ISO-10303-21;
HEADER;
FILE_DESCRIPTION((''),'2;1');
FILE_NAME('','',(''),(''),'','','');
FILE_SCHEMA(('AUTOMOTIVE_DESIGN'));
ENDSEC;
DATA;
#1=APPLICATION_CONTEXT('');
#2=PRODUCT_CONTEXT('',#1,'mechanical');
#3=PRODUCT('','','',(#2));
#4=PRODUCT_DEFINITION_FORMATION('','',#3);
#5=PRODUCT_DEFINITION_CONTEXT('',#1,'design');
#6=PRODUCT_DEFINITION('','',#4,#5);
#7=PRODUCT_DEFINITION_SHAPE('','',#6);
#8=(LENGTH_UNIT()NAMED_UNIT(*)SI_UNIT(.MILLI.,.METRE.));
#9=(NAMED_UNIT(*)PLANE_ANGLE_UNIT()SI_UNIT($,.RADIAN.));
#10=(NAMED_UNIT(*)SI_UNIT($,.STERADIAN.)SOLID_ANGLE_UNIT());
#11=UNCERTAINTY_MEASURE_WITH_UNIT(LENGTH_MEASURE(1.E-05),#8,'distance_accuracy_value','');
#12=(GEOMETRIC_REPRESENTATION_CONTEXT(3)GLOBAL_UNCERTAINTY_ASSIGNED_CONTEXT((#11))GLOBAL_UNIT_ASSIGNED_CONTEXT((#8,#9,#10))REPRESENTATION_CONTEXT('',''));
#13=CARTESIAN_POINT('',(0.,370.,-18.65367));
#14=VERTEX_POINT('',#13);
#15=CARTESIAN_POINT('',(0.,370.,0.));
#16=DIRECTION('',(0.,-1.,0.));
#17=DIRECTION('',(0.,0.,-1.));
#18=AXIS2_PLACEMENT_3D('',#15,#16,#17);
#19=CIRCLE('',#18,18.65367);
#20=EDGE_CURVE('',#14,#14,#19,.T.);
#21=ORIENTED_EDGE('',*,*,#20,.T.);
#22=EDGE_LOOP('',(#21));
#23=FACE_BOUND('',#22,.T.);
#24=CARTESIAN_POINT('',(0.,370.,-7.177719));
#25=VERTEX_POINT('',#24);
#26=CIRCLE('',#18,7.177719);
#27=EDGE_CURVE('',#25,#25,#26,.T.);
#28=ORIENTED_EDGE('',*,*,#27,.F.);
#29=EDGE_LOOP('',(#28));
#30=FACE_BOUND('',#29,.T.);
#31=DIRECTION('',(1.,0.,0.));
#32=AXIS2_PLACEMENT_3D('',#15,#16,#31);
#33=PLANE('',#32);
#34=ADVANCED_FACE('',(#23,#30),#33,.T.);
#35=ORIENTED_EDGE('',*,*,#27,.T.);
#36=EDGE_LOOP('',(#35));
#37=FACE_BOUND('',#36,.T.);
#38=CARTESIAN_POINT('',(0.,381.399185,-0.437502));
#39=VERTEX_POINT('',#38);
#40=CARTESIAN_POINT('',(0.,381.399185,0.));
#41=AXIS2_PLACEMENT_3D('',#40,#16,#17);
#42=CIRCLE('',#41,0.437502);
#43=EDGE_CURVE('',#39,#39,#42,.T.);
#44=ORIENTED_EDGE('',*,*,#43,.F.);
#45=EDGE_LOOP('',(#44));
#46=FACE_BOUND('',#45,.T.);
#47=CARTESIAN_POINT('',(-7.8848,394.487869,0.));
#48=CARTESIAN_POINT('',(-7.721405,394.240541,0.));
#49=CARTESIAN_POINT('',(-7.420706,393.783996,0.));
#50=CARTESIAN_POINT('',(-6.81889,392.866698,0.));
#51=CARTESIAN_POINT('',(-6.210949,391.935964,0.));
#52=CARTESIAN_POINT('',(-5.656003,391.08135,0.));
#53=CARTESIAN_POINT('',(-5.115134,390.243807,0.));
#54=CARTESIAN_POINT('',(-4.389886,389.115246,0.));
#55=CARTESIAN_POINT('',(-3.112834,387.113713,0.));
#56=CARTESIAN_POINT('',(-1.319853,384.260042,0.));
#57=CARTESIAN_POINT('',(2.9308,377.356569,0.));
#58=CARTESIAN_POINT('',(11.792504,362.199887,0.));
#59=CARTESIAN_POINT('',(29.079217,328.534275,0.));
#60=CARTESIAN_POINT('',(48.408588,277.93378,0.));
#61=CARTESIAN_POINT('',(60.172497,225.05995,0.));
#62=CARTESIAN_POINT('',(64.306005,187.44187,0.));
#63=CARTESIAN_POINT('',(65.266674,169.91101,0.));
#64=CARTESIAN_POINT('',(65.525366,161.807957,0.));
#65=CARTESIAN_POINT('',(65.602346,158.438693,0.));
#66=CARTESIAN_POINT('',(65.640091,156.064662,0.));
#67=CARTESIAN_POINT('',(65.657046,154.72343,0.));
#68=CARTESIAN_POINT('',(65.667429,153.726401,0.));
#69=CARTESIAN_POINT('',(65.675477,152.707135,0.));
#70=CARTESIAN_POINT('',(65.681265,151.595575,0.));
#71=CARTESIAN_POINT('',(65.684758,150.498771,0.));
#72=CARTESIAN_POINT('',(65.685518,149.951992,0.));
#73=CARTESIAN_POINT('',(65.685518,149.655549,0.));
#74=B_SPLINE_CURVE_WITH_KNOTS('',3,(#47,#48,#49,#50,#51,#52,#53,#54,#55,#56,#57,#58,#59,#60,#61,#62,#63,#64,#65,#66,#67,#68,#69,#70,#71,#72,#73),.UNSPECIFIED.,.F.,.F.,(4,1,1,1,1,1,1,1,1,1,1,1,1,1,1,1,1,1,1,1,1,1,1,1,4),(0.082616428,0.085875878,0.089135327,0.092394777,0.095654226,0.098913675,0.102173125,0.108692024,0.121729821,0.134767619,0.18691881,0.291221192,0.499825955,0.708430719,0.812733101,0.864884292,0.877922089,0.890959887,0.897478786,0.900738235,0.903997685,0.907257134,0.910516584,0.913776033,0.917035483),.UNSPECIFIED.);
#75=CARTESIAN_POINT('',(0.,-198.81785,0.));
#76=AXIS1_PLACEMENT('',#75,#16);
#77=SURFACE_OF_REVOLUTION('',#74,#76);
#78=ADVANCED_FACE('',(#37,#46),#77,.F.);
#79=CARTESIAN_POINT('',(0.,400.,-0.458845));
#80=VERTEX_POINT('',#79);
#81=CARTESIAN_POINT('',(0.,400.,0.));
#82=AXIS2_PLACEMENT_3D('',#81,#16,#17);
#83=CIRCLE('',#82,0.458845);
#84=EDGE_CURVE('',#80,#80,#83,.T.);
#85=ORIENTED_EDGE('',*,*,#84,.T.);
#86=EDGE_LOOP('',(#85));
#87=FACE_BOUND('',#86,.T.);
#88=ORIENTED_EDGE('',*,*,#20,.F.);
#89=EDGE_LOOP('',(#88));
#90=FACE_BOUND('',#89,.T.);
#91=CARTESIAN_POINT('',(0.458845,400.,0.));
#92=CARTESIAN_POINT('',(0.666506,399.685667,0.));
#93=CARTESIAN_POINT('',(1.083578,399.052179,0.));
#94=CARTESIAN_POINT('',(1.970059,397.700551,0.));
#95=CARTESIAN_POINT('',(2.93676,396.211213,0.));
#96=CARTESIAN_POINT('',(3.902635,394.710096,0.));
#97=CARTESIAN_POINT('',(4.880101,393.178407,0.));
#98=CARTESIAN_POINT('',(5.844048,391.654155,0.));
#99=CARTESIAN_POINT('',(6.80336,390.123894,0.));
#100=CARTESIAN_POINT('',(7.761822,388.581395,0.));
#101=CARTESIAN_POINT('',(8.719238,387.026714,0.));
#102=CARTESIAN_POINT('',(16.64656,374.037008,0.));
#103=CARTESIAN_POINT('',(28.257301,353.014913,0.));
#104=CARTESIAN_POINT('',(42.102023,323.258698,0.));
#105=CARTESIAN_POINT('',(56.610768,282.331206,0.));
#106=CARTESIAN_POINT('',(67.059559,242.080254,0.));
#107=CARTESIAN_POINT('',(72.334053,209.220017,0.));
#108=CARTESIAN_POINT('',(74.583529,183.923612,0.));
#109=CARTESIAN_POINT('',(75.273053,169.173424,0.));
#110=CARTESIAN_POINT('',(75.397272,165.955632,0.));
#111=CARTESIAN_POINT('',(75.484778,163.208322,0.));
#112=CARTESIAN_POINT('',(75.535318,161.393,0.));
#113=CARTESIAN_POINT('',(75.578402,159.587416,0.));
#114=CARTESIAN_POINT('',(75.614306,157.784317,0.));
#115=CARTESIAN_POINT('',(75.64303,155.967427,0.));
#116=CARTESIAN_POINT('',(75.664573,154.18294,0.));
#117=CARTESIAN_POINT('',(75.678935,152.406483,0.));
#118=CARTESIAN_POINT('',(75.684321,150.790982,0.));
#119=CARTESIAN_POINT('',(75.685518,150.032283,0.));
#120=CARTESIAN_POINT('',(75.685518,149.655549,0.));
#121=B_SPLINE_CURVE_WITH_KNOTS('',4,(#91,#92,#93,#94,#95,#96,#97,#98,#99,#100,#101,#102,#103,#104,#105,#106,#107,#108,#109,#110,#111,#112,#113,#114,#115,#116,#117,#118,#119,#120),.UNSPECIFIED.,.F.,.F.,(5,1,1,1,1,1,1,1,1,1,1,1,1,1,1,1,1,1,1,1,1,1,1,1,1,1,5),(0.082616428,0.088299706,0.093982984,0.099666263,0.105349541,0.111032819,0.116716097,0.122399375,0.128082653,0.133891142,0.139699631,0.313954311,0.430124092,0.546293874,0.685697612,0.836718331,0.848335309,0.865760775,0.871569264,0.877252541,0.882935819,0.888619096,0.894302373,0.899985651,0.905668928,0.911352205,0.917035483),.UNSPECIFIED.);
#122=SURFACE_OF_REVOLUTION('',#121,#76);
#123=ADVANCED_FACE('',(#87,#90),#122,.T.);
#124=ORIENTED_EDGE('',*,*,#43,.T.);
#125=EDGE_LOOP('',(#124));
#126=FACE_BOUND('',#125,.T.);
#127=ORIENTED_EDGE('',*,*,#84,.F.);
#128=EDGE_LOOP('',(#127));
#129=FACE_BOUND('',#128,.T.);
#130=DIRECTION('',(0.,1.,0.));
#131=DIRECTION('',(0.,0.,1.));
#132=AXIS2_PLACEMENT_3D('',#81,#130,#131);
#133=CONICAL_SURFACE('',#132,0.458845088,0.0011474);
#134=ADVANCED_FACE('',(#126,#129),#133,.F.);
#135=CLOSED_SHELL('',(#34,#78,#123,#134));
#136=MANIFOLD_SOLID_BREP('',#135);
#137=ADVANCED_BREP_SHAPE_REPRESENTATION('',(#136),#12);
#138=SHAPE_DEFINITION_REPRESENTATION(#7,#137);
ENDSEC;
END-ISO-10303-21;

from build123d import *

# Parameters (mm, degrees)
BOSS_EXTRUDE1_START = -300
SKETCH2_R           = 65.685518314
SKETCH2_R_2         = 57.685518314
BOSS_EXTRUDE1_DEPTH = 300
SKETCH3_R           = 120.726600854
CUT_EXTRUDE1_DEPTH  = 532.239063666


with BuildPart() as part:
    # Sketch1 → Revolve3 (revolve)
    with BuildSketch(Plane.XY, mode=Mode.PRIVATE) as revolve3_sk:
        with BuildLine():
            Line((75.685518314, -0.344450695), (75.685518314, 149.655549305))
            add(Edge.make_bspline(
                [(0.458845088, 400), (0.666505615, 399.685666805), (1.083577622, 399.052178662), (1.970059475, 397.700550841), (2.936759655, 396.211212549), (3.902634821, 394.710095548), (4.880100736, 393.178406868), (5.844047989, 391.654155139), (6.803360265, 390.123894266), (7.761821662, 388.581395307), (8.719237727, 387.026713906), (16.64656029, 374.037008419), (28.257300922, 353.014913091), (42.102023433, 323.258697722), (56.610767976, 282.331206247), (67.05955857, 242.08025425), (72.334052865, 209.220016816), (74.5835291, 183.923611768), (75.273053413, 169.173424136), (75.397271583, 165.955632222), (75.484778379, 163.208321649), (75.535317822, 161.393000412), (75.578401528, 159.587415566), (75.614305657, 157.784317211), (75.643029642, 155.967426667), (75.664573028, 154.18293971), (75.678935474, 152.40648291), (75.684321434, 150.790982345), (75.685518314, 150.032282914), (75.685518314, 149.655549305)],
                knots=[0.082616428, 0.082616428, 0.082616428, 0.082616428, 0.082616428, 0.088299706, 0.093982984, 0.099666263, 0.105349541, 0.111032819, 0.116716097, 0.122399375, 0.128082653, 0.133891142, 0.139699631, 0.313954311, 0.430124092, 0.546293874, 0.685697612, 0.836718331, 0.848335309, 0.865760775, 0.871569264, 0.877252541, 0.882935819, 0.888619096, 0.894302373, 0.899985651, 0.905668928, 0.911352205, 0.917035483, 0.917035483, 0.917035483, 0.917035483, 0.917035483], degree=4))
            Line((0.458845088, 400), (0.43750857, 381.399188372))
            add(Edge.make_bspline(
                [(0.43750857, 381.399188372), (0.55852927, 381.201299105), (3.495430864, 376.390848647), (11.792504456, 362.199887034), (29.079217345, 328.534275172), (48.408588041, 277.933780444), (60.172497106, 225.059949932), (64.30600489, 187.441870002), (65.266674131, 169.911010475), (65.525365527, 161.807957388), (65.602345571, 158.438692592), (65.640090713, 156.064661932), (65.657046141, 154.723430387), (65.667429233, 153.726401125), (65.675476765, 152.707134592), (65.68126504, 151.595575293), (65.684757556, 150.498770837), (65.685518314, 149.951992083), (65.685518314, 149.655549305)],
                knots=[0.132529105, 0.132529105, 0.132529105, 0.132529105, 0.134767619, 0.18691881, 0.291221192, 0.499825955, 0.708430719, 0.812733101, 0.864884292, 0.877922089, 0.890959887, 0.897478786, 0.900738235, 0.903997685, 0.907257134, 0.910516584, 0.913776033, 0.917035483, 0.917035483, 0.917035483, 0.917035483], degree=3))
            Line((65.685518314, 149.655549305), (65.685518314, -0.344450695))
            Line((65.685518314, -0.344450695), (75.685518314, -0.344450695))
        make_face()
    revolve(revolve3_sk.sketch.rotate(Axis((0, -198.817850362, 0), (0, -1, 0)), 270), axis=Axis((0, -198.817850362, 0), (0, -1, 0)))

    # Sketch2 → Boss-Extrude1 (add)
    with BuildSketch(Plane(origin=(0, 149.655549305, 0), x_dir=(1, 0, 0), z_dir=(0, 1, 0)).offset(BOSS_EXTRUDE1_START)):
        with Locations(Location((0, 0, 0), (0, 0, 270))):
            Circle(SKETCH2_R)
        with Locations(Location((0, 0, 0), (0, 0, 270))):
            Circle(SKETCH2_R_2, mode=Mode.SUBTRACT)
    extrude(amount=BOSS_EXTRUDE1_DEPTH)

    # Sketch3 → Cut-Extrude1 (cut, through all)
    with BuildSketch(Plane(origin=(0, 370, 0), x_dir=(-1, 0, 0), z_dir=(0, -1, 0))):
        Circle(SKETCH3_R)
    extrude(amount=CUT_EXTRUDE1_DEPTH, mode=Mode.SUBTRACT)


solid = part.part
